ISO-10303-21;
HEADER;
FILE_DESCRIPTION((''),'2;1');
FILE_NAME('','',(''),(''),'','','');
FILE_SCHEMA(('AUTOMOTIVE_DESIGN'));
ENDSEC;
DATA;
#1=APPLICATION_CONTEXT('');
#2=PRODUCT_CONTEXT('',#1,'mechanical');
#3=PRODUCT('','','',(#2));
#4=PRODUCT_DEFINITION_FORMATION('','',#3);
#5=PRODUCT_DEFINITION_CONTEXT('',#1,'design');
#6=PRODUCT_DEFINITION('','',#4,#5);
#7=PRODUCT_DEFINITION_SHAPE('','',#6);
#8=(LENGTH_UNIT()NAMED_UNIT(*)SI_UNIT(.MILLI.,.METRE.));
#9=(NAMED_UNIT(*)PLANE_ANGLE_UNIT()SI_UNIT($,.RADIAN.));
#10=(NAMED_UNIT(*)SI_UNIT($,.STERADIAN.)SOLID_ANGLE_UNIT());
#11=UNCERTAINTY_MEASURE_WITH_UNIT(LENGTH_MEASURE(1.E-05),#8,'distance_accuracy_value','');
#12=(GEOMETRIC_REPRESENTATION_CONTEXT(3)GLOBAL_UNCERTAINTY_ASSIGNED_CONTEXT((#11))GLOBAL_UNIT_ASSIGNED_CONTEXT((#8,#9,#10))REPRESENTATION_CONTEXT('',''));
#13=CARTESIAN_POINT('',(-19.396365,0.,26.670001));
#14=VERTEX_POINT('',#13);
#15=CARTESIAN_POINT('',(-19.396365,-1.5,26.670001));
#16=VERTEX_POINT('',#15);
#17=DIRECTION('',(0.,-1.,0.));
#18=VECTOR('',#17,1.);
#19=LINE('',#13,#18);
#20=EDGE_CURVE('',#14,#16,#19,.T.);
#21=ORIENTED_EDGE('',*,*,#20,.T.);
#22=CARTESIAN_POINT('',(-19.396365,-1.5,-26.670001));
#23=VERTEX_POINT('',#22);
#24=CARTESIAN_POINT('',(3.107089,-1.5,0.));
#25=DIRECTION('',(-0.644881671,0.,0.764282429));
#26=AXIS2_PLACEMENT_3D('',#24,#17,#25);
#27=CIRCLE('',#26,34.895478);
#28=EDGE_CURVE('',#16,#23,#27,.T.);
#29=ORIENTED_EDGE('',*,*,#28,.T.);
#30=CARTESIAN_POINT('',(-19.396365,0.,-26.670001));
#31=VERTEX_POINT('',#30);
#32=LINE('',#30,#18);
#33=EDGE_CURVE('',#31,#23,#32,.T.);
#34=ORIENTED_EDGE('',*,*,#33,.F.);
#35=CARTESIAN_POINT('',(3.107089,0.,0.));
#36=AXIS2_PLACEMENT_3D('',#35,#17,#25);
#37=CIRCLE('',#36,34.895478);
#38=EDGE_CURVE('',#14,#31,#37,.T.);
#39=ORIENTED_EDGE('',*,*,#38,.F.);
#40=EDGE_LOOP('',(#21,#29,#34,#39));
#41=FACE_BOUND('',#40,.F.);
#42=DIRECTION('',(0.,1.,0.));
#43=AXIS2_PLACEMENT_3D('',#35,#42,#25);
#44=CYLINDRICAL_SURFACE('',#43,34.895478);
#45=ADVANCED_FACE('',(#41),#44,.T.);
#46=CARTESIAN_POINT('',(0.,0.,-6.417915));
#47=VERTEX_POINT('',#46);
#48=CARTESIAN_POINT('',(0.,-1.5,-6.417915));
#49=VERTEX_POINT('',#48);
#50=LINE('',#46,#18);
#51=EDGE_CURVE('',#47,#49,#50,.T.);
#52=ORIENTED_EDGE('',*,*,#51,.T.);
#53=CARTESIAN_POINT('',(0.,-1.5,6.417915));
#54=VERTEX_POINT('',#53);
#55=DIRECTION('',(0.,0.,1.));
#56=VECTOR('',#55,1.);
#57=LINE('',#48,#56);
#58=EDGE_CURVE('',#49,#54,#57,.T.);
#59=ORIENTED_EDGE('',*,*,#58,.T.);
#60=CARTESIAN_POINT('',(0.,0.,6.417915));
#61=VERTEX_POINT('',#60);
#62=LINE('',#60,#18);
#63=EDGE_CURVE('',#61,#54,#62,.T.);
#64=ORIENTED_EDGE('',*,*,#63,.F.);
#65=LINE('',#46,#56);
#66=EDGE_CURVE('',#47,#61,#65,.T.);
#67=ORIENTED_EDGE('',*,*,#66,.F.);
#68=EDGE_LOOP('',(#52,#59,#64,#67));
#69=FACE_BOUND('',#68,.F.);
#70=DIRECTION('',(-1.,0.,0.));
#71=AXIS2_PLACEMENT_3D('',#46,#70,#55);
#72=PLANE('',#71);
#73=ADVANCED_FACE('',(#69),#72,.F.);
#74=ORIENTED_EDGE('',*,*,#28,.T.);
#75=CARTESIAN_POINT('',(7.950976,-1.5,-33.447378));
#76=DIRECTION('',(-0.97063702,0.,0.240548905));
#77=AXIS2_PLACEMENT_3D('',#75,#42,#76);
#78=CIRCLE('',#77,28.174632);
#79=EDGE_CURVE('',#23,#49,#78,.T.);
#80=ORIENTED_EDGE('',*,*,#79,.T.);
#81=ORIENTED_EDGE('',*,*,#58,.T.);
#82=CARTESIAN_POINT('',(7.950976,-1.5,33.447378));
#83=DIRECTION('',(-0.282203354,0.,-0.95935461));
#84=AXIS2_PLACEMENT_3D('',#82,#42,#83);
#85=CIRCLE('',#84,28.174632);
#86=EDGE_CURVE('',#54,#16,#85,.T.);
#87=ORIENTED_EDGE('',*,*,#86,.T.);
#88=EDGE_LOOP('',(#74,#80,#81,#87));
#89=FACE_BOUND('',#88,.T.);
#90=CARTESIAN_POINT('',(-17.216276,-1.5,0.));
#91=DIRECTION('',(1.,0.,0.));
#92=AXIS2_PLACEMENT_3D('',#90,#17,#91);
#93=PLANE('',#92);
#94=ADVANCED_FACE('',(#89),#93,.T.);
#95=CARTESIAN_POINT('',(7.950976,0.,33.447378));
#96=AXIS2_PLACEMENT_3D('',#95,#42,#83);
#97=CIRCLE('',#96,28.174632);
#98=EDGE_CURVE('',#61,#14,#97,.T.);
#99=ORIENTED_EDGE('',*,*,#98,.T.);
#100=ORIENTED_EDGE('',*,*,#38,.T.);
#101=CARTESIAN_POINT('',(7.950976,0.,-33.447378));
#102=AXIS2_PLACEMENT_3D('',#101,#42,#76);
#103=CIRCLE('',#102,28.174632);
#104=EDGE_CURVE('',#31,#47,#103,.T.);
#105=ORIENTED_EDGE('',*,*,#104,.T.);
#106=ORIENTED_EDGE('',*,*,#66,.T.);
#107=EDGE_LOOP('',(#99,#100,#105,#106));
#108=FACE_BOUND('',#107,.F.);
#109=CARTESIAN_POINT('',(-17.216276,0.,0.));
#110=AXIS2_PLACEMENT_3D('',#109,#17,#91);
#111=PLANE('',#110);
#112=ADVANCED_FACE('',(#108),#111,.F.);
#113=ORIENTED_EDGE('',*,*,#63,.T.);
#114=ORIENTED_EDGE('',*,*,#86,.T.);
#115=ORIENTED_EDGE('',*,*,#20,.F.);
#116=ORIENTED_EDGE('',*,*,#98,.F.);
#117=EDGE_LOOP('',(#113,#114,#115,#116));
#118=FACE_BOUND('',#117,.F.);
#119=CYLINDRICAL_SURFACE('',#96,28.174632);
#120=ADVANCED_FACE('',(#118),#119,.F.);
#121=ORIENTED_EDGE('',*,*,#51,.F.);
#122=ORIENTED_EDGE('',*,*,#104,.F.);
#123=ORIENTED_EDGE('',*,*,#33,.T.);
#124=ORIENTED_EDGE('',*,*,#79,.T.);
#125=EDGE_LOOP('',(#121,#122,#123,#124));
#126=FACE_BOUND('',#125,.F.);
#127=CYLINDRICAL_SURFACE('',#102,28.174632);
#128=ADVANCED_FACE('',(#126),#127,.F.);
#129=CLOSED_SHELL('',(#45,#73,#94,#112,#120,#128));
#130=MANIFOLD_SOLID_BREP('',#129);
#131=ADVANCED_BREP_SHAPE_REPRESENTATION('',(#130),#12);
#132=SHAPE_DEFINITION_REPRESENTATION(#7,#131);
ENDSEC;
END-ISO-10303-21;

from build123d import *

# Parameters (mm, degrees)
F1_DEPTH = 1.5


with BuildPart() as f1:
    # F0 (on Front) → F1 (new body)
    with BuildSketch(Plane.XZ):
        with BuildLine():
            Line((0, -6.417915), (0, 0))
            Line((0, 0), (0, 6.417915))
            ThreePointArc((0, 6.417915), (-12.39674, 13.959424), (-19.396365, 26.670001))
            ThreePointArc((-19.396365, 26.670001), (-31.788389, 0), (-19.396365, -26.670001))
            ThreePointArc((-19.396365, -26.670001), (-12.39674, -13.959424), (0, -6.417915))
        make_face()
    extrude(amount=F1_DEPTH)


solid = f1.part
